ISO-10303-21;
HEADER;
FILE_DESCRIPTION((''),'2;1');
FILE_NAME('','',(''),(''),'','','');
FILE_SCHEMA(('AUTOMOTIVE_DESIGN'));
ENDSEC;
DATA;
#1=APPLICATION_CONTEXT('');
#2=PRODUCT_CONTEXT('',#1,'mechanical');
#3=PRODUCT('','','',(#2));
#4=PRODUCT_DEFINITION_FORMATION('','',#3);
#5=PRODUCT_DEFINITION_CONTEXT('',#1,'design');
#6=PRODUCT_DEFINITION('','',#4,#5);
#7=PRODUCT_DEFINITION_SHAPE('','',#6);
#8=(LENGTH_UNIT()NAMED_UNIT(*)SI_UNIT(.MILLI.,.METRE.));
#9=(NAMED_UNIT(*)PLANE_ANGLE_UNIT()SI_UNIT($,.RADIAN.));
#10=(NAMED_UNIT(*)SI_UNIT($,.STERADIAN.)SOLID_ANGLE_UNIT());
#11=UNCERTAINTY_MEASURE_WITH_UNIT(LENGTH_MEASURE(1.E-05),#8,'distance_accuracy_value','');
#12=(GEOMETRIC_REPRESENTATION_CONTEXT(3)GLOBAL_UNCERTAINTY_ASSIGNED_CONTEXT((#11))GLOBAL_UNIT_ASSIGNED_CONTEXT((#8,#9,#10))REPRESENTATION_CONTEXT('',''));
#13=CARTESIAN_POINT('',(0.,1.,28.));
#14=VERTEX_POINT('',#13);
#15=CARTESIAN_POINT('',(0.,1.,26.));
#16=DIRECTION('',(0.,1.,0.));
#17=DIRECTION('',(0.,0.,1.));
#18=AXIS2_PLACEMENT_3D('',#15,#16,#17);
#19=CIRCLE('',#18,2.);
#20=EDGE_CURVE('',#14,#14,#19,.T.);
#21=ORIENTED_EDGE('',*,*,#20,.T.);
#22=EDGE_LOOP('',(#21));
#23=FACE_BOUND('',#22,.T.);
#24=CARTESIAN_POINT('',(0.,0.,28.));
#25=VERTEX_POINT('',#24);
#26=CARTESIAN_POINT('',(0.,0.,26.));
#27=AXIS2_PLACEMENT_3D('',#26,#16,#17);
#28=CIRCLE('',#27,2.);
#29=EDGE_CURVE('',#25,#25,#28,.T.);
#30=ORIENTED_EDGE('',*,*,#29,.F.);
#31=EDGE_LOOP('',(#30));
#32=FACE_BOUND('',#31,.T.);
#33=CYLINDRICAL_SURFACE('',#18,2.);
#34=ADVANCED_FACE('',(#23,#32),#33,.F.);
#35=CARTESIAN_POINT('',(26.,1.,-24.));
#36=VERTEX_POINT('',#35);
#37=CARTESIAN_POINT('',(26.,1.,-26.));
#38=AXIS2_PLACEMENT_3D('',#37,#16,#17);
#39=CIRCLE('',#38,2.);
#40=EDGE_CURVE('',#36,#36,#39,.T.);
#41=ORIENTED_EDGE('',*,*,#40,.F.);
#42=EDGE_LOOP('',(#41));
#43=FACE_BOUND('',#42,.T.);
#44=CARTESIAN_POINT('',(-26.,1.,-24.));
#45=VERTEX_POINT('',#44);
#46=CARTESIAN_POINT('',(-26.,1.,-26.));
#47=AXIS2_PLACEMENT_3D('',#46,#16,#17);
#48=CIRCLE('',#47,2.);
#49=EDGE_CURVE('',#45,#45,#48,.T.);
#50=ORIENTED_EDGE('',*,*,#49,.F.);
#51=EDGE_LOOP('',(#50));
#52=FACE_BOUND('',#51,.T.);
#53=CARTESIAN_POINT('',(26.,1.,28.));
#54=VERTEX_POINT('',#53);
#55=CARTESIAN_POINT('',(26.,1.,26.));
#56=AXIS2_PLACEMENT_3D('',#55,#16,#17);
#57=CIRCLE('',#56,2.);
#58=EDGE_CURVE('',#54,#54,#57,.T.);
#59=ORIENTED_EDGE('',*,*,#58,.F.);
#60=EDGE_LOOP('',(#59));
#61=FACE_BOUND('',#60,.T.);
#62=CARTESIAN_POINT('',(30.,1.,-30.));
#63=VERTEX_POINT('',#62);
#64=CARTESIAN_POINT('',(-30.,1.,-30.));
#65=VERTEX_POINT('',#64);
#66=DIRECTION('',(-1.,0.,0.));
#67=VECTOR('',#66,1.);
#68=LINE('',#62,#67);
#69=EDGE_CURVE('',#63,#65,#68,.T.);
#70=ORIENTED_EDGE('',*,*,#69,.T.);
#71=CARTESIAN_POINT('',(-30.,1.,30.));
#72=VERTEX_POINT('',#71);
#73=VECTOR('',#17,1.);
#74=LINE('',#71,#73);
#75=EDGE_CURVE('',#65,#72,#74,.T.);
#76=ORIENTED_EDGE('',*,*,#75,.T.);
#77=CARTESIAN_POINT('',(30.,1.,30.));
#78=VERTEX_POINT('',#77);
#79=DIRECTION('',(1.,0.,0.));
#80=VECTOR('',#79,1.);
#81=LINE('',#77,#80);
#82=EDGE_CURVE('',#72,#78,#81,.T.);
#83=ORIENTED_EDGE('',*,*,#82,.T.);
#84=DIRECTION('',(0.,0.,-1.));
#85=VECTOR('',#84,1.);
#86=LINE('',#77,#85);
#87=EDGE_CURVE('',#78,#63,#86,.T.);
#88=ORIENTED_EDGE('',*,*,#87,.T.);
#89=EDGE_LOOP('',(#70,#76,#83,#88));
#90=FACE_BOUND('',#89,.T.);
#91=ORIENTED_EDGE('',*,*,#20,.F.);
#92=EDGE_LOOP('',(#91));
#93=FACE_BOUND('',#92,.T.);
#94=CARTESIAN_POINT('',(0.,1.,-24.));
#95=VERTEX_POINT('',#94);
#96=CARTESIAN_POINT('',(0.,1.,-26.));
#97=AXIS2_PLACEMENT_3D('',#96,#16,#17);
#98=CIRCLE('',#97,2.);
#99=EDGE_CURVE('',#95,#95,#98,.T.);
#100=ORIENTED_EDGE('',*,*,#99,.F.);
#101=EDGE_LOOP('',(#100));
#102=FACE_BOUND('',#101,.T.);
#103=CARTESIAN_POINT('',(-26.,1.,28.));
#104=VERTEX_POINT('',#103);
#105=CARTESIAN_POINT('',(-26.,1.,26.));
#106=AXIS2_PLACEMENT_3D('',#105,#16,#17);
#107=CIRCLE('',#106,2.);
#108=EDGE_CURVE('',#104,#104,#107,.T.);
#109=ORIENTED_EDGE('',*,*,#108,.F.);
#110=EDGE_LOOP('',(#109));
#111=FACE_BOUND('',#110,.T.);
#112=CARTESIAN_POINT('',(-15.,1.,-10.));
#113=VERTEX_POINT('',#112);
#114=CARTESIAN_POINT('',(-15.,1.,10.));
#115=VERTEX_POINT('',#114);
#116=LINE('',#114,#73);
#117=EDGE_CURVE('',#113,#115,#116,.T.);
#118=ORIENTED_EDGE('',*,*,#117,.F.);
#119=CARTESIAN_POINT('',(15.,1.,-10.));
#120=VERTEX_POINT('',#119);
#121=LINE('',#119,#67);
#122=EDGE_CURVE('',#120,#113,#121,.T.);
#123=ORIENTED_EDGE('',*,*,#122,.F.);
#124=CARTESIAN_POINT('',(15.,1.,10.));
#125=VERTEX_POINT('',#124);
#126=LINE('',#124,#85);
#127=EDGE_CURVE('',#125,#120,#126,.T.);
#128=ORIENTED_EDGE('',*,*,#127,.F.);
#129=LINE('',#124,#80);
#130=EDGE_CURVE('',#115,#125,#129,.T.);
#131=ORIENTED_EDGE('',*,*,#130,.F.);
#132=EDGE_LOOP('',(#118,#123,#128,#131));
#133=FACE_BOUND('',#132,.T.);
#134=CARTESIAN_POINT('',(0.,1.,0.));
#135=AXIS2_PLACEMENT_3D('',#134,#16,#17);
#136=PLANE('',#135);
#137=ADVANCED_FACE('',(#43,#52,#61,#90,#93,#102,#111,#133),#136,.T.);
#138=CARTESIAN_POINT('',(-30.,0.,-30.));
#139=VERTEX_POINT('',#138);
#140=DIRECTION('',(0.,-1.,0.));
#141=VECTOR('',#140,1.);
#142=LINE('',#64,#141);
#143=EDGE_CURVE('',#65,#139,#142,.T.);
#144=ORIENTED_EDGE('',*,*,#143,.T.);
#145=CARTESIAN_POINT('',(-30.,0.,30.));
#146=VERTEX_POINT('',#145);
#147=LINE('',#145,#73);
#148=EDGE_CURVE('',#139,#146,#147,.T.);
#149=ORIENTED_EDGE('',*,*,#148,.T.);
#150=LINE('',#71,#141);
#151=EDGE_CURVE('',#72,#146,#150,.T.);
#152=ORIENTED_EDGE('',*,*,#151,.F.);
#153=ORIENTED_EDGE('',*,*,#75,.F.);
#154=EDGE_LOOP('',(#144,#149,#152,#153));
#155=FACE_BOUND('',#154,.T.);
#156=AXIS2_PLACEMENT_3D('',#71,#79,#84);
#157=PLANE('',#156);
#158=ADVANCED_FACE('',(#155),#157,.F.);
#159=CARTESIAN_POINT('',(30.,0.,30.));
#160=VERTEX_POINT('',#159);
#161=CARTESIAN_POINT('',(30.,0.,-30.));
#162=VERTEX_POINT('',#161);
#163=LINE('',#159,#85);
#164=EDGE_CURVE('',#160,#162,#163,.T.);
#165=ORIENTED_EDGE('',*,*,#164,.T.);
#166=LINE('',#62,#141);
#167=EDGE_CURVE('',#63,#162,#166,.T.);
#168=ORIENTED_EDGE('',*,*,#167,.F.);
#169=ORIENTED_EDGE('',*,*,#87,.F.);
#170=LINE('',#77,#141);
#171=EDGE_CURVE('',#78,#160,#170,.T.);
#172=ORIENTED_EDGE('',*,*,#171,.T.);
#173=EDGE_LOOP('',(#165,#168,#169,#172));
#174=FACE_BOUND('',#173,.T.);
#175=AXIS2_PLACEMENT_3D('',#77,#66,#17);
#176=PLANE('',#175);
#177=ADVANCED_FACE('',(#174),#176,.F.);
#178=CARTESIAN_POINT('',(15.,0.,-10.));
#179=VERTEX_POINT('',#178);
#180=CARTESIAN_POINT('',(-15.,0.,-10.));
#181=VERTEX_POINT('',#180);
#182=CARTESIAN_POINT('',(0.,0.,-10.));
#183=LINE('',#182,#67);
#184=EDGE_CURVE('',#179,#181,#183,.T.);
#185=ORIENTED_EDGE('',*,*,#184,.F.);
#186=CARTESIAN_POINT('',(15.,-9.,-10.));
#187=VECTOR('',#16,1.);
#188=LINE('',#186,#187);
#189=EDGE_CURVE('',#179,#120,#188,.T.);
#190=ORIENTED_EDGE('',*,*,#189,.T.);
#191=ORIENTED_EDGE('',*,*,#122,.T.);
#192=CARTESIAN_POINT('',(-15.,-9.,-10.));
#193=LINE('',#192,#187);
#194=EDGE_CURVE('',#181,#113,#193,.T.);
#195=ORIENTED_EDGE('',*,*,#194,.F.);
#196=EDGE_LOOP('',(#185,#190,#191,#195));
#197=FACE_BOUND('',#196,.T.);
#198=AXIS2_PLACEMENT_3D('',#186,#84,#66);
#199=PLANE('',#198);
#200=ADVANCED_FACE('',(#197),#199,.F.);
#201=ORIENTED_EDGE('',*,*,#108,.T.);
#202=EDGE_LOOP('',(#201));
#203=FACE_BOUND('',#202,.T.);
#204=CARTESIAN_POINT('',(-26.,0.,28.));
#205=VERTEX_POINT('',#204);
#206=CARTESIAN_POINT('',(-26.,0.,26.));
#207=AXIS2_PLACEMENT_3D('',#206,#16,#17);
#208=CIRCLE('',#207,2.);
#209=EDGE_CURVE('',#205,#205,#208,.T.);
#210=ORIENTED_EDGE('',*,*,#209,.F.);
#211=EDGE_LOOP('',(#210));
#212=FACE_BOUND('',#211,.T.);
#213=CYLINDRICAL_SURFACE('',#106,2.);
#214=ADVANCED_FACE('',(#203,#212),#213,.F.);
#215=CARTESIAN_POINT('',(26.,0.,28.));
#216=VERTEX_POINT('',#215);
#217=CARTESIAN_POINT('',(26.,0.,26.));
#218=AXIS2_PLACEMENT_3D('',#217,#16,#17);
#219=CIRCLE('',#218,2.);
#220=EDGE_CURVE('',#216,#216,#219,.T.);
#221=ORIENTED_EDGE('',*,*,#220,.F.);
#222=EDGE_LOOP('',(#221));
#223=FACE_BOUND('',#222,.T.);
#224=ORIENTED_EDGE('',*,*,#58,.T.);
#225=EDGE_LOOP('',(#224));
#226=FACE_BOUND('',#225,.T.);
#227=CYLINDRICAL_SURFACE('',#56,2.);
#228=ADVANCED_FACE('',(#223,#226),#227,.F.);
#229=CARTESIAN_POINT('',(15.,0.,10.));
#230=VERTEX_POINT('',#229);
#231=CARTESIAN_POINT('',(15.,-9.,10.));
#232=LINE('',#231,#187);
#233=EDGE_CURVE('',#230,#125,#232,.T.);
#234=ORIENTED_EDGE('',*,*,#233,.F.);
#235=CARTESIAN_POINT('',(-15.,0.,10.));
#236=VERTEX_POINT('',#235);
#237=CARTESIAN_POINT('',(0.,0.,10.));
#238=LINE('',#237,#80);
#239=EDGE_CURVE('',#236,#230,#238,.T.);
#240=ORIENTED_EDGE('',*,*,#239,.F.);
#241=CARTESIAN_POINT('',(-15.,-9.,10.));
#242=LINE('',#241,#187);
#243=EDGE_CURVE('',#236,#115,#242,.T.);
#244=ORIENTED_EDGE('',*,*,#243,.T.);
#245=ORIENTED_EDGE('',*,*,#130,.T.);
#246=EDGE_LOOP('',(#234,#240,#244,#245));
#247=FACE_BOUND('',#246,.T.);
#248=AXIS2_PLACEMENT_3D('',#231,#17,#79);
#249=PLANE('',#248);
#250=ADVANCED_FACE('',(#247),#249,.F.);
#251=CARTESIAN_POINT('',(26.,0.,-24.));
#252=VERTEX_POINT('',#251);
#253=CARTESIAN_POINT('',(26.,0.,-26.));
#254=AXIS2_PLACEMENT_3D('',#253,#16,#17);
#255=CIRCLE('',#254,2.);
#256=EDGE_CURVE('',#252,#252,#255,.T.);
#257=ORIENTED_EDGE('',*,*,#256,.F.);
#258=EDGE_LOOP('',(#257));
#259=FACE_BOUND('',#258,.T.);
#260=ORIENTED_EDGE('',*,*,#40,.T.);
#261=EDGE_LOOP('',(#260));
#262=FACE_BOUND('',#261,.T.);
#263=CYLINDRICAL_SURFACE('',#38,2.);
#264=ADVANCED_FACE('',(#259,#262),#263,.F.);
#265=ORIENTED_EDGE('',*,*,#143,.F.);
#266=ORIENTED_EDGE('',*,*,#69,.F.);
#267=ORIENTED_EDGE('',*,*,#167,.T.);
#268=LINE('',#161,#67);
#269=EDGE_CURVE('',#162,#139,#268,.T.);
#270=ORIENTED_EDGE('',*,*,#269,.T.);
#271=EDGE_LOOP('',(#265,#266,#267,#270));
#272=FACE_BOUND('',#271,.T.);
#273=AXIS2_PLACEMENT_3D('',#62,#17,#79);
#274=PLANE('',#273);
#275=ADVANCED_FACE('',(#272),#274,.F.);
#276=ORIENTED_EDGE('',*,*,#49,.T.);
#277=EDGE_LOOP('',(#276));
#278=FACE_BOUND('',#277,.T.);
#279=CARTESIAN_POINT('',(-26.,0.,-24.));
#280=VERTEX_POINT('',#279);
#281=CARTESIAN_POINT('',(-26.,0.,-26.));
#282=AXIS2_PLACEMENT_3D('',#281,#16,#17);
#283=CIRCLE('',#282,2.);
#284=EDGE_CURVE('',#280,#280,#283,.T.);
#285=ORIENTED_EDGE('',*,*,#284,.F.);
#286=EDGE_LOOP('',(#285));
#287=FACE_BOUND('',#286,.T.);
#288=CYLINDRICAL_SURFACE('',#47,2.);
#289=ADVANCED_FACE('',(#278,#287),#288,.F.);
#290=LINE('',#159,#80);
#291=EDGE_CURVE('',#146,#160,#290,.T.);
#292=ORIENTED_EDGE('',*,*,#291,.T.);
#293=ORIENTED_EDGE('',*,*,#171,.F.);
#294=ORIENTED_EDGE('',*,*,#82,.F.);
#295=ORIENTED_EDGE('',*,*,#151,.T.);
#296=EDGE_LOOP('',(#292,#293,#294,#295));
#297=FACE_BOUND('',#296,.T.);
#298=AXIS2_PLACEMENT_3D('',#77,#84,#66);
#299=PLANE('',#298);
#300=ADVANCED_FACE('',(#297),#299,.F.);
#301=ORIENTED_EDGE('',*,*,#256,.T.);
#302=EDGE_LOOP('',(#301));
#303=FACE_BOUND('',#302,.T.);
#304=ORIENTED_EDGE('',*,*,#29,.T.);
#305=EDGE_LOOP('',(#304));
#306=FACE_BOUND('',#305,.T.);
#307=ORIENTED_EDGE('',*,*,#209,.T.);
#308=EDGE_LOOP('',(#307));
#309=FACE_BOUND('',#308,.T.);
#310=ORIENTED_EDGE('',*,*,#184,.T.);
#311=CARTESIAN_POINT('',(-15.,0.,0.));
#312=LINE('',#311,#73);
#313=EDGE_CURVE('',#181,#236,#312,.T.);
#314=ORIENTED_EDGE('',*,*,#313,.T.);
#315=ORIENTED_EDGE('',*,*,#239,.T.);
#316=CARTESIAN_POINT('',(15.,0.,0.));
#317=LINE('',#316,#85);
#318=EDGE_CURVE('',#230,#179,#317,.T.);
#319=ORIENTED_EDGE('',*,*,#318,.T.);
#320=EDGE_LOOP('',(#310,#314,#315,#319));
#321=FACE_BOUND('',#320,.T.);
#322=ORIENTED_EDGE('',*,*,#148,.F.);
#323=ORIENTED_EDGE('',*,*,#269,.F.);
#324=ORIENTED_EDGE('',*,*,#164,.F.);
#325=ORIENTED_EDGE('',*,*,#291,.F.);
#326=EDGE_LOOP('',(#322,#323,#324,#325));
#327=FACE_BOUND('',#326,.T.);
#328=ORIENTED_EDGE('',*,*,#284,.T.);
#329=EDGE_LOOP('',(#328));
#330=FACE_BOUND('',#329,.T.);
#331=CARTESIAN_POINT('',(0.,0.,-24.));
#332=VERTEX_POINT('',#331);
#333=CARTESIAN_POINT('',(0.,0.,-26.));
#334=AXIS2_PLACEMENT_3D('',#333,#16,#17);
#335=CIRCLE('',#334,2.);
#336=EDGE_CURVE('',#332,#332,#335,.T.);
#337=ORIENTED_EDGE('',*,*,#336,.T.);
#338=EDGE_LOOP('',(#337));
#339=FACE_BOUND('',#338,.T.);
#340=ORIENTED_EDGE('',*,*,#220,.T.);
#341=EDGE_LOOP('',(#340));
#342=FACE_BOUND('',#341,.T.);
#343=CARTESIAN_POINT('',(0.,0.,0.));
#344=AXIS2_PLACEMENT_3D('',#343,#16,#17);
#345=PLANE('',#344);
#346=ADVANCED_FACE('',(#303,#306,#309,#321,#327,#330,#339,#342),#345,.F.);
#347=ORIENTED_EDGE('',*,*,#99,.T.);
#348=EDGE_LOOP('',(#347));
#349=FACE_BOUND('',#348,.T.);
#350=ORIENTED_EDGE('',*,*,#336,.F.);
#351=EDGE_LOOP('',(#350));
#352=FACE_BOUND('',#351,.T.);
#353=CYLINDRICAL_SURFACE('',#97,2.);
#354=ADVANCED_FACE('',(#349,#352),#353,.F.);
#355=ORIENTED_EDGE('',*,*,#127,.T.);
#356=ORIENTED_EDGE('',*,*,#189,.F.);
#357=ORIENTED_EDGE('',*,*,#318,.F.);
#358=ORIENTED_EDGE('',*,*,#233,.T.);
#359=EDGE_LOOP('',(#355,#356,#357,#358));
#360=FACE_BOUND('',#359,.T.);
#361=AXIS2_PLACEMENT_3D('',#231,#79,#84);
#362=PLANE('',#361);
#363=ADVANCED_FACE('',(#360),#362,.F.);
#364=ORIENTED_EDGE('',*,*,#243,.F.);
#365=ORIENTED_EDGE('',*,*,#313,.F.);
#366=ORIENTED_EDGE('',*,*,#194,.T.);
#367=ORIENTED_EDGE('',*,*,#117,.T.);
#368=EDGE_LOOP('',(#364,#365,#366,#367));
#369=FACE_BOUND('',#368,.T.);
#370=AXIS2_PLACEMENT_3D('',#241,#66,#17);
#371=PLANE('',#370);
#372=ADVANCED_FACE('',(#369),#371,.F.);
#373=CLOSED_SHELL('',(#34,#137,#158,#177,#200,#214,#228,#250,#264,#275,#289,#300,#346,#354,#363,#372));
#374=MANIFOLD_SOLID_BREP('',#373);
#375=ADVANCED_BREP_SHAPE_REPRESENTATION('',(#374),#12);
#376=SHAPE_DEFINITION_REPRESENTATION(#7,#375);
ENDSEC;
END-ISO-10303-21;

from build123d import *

# Parameters (mm, degrees)
SKETCH1_W                    = 60
SKETCH1_H                    = 60
BOSS_EXTRUDE1_DEPTH          = 1
F_4_0_4_DIAMETER_HOLE1_D     = 4
F_4_0_4_DIAMETER_HOLE1_DEPTH = 1
SKETCH14_W                   = 30
SKETCH14_H                   = 20
CUT_EXTRUDE1_DEPTH           = 10


with BuildPart() as part:
    # Sketch1 → Boss-Extrude1 (new body)
    with BuildSketch(Plane(origin=(0, 0, 0), x_dir=(1, 0, 0), z_dir=(0, 1, 0))):
        Rectangle(SKETCH1_W, SKETCH1_H)
    extrude(amount=BOSS_EXTRUDE1_DEPTH)

    # Ø4.0 (4) Diameter Hole1
    with Locations(Plane(origin=(0, 1, 0), x_dir=(1, 0, 0), z_dir=(0, 1, 0))):
        with Locations((26, 26), (0, 26), (-26, 26), (0, -26), (26, -26), (-26, -26)):
            Hole(F_4_0_4_DIAMETER_HOLE1_D / 2, depth=F_4_0_4_DIAMETER_HOLE1_DEPTH)

    # Sketch14 → Cut-Extrude1 (cut)
    with BuildSketch(Plane(origin=(0, 1, 0), x_dir=(1, 0, 0), z_dir=(0, 1, 0))):
        Rectangle(SKETCH14_W, SKETCH14_H)
    extrude(amount=-CUT_EXTRUDE1_DEPTH, mode=Mode.SUBTRACT)


solid = part.part
